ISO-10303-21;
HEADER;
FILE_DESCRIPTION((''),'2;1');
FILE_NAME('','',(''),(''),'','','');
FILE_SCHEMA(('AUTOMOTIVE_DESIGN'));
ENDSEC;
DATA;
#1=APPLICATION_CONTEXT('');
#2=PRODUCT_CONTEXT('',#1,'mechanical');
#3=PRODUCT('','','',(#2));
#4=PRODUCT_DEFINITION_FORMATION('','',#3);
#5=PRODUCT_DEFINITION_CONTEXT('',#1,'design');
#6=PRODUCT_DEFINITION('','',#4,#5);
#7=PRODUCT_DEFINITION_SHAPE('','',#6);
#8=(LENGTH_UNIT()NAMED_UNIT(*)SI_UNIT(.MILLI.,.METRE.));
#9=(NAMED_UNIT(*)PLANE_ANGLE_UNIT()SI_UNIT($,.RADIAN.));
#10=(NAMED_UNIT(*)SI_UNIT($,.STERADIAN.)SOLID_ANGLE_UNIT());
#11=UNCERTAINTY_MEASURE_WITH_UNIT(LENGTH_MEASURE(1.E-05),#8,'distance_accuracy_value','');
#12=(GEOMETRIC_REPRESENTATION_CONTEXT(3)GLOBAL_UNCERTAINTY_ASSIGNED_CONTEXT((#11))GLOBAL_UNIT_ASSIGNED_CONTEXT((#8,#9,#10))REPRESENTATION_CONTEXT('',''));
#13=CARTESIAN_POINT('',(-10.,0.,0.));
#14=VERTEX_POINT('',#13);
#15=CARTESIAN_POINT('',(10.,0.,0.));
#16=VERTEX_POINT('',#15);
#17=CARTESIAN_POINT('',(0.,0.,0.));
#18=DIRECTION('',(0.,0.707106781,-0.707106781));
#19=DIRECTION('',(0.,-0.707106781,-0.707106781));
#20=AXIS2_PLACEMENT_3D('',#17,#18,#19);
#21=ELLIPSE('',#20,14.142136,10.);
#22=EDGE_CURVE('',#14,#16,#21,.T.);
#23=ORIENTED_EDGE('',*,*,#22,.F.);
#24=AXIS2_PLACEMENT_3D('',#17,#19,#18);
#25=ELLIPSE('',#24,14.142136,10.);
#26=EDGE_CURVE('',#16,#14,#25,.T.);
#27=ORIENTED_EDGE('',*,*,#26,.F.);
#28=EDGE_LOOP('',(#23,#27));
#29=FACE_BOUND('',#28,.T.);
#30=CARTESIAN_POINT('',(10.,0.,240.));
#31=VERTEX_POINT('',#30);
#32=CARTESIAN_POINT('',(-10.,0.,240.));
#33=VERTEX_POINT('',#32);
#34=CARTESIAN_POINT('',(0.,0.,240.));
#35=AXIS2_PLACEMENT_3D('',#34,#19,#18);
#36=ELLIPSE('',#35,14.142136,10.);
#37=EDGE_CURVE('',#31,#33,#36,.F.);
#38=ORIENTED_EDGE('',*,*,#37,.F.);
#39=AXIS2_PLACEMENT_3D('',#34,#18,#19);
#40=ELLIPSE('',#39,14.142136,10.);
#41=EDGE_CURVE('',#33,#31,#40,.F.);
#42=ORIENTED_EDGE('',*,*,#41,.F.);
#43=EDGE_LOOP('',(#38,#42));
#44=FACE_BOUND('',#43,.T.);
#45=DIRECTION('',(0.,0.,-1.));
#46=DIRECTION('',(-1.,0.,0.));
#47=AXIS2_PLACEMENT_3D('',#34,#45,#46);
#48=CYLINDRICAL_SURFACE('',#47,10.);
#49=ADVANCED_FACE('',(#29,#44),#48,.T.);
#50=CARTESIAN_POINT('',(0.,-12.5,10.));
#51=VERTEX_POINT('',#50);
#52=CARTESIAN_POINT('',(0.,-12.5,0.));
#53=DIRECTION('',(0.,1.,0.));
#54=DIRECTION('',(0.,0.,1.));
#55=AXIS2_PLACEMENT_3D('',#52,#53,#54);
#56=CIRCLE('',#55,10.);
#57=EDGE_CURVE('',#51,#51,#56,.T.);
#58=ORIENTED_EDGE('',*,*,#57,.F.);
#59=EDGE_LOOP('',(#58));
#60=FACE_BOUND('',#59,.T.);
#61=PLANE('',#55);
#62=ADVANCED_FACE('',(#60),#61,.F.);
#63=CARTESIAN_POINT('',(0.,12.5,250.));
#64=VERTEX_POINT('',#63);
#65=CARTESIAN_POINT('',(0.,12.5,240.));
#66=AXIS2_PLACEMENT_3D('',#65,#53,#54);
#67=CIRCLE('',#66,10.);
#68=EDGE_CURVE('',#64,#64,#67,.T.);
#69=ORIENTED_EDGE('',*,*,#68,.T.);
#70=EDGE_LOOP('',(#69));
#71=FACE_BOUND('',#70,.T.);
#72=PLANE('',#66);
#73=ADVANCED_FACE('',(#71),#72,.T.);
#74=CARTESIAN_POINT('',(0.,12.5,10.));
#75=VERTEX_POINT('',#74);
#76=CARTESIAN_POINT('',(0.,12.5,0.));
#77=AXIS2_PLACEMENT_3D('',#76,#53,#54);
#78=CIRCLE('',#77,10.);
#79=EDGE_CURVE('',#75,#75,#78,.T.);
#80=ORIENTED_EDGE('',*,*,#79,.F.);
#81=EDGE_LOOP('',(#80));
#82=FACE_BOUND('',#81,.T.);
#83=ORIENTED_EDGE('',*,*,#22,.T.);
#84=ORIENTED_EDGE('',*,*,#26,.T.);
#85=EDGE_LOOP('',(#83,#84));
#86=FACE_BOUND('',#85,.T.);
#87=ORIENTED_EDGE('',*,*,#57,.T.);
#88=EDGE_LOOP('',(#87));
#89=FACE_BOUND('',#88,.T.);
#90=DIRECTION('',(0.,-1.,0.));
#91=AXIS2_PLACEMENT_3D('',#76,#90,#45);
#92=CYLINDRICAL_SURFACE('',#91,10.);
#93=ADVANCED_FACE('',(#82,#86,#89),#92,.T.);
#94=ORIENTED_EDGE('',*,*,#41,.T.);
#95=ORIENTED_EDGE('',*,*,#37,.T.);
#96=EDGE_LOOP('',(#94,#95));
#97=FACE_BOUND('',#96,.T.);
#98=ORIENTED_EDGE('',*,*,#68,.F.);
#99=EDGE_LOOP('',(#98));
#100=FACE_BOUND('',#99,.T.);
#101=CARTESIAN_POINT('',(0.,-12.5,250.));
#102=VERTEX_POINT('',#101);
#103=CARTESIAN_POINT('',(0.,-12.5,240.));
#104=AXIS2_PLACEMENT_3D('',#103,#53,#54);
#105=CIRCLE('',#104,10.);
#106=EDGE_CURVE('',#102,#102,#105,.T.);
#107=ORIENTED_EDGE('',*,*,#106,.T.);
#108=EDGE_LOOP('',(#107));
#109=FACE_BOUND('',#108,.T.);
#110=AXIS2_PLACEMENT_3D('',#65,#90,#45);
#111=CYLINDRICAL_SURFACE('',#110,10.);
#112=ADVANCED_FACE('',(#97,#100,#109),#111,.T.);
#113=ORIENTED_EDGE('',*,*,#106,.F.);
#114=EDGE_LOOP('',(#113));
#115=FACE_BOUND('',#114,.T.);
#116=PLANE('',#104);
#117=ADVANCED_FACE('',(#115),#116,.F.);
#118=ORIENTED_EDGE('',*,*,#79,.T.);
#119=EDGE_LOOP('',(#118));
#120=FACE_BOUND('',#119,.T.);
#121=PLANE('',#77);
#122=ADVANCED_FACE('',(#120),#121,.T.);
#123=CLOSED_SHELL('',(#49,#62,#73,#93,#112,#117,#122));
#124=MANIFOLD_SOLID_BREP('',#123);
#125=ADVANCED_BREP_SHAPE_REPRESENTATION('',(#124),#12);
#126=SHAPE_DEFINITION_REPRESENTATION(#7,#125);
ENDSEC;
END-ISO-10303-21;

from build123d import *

# Parameters (mm, degrees)
CROQUIS1_R                   = 10
SALIENTE_EXTRUIR1_DEPTH      = 240
SALIENTE_EXTRUIR2_DEPTH      = 12.5
SALIENTE_EXTRUIR2_DEPTH_BACK = 12.5
CROQUIS2_R                   = 10


with BuildPart() as part:
    # Croquis1 → Saliente-Extruir1 (new body)
    with BuildSketch(Plane.XY):
        Circle(CROQUIS1_R)
    extrude(amount=SALIENTE_EXTRUIR1_DEPTH)

    # Croquis2 → Saliente-Extruir2 (add, two sides: drawn at the far end of the back side and taken through both)
    with BuildSketch(Plane(origin=(0, 0, 0), x_dir=(1, 0, 0), z_dir=(0, 1, 0)).offset(-SALIENTE_EXTRUIR2_DEPTH_BACK)):
        Circle(CROQUIS2_R)
        with Locations((0, -240)):
            Circle(CROQUIS2_R)
    extrude(amount=SALIENTE_EXTRUIR2_DEPTH + SALIENTE_EXTRUIR2_DEPTH_BACK)


solid = part.part
